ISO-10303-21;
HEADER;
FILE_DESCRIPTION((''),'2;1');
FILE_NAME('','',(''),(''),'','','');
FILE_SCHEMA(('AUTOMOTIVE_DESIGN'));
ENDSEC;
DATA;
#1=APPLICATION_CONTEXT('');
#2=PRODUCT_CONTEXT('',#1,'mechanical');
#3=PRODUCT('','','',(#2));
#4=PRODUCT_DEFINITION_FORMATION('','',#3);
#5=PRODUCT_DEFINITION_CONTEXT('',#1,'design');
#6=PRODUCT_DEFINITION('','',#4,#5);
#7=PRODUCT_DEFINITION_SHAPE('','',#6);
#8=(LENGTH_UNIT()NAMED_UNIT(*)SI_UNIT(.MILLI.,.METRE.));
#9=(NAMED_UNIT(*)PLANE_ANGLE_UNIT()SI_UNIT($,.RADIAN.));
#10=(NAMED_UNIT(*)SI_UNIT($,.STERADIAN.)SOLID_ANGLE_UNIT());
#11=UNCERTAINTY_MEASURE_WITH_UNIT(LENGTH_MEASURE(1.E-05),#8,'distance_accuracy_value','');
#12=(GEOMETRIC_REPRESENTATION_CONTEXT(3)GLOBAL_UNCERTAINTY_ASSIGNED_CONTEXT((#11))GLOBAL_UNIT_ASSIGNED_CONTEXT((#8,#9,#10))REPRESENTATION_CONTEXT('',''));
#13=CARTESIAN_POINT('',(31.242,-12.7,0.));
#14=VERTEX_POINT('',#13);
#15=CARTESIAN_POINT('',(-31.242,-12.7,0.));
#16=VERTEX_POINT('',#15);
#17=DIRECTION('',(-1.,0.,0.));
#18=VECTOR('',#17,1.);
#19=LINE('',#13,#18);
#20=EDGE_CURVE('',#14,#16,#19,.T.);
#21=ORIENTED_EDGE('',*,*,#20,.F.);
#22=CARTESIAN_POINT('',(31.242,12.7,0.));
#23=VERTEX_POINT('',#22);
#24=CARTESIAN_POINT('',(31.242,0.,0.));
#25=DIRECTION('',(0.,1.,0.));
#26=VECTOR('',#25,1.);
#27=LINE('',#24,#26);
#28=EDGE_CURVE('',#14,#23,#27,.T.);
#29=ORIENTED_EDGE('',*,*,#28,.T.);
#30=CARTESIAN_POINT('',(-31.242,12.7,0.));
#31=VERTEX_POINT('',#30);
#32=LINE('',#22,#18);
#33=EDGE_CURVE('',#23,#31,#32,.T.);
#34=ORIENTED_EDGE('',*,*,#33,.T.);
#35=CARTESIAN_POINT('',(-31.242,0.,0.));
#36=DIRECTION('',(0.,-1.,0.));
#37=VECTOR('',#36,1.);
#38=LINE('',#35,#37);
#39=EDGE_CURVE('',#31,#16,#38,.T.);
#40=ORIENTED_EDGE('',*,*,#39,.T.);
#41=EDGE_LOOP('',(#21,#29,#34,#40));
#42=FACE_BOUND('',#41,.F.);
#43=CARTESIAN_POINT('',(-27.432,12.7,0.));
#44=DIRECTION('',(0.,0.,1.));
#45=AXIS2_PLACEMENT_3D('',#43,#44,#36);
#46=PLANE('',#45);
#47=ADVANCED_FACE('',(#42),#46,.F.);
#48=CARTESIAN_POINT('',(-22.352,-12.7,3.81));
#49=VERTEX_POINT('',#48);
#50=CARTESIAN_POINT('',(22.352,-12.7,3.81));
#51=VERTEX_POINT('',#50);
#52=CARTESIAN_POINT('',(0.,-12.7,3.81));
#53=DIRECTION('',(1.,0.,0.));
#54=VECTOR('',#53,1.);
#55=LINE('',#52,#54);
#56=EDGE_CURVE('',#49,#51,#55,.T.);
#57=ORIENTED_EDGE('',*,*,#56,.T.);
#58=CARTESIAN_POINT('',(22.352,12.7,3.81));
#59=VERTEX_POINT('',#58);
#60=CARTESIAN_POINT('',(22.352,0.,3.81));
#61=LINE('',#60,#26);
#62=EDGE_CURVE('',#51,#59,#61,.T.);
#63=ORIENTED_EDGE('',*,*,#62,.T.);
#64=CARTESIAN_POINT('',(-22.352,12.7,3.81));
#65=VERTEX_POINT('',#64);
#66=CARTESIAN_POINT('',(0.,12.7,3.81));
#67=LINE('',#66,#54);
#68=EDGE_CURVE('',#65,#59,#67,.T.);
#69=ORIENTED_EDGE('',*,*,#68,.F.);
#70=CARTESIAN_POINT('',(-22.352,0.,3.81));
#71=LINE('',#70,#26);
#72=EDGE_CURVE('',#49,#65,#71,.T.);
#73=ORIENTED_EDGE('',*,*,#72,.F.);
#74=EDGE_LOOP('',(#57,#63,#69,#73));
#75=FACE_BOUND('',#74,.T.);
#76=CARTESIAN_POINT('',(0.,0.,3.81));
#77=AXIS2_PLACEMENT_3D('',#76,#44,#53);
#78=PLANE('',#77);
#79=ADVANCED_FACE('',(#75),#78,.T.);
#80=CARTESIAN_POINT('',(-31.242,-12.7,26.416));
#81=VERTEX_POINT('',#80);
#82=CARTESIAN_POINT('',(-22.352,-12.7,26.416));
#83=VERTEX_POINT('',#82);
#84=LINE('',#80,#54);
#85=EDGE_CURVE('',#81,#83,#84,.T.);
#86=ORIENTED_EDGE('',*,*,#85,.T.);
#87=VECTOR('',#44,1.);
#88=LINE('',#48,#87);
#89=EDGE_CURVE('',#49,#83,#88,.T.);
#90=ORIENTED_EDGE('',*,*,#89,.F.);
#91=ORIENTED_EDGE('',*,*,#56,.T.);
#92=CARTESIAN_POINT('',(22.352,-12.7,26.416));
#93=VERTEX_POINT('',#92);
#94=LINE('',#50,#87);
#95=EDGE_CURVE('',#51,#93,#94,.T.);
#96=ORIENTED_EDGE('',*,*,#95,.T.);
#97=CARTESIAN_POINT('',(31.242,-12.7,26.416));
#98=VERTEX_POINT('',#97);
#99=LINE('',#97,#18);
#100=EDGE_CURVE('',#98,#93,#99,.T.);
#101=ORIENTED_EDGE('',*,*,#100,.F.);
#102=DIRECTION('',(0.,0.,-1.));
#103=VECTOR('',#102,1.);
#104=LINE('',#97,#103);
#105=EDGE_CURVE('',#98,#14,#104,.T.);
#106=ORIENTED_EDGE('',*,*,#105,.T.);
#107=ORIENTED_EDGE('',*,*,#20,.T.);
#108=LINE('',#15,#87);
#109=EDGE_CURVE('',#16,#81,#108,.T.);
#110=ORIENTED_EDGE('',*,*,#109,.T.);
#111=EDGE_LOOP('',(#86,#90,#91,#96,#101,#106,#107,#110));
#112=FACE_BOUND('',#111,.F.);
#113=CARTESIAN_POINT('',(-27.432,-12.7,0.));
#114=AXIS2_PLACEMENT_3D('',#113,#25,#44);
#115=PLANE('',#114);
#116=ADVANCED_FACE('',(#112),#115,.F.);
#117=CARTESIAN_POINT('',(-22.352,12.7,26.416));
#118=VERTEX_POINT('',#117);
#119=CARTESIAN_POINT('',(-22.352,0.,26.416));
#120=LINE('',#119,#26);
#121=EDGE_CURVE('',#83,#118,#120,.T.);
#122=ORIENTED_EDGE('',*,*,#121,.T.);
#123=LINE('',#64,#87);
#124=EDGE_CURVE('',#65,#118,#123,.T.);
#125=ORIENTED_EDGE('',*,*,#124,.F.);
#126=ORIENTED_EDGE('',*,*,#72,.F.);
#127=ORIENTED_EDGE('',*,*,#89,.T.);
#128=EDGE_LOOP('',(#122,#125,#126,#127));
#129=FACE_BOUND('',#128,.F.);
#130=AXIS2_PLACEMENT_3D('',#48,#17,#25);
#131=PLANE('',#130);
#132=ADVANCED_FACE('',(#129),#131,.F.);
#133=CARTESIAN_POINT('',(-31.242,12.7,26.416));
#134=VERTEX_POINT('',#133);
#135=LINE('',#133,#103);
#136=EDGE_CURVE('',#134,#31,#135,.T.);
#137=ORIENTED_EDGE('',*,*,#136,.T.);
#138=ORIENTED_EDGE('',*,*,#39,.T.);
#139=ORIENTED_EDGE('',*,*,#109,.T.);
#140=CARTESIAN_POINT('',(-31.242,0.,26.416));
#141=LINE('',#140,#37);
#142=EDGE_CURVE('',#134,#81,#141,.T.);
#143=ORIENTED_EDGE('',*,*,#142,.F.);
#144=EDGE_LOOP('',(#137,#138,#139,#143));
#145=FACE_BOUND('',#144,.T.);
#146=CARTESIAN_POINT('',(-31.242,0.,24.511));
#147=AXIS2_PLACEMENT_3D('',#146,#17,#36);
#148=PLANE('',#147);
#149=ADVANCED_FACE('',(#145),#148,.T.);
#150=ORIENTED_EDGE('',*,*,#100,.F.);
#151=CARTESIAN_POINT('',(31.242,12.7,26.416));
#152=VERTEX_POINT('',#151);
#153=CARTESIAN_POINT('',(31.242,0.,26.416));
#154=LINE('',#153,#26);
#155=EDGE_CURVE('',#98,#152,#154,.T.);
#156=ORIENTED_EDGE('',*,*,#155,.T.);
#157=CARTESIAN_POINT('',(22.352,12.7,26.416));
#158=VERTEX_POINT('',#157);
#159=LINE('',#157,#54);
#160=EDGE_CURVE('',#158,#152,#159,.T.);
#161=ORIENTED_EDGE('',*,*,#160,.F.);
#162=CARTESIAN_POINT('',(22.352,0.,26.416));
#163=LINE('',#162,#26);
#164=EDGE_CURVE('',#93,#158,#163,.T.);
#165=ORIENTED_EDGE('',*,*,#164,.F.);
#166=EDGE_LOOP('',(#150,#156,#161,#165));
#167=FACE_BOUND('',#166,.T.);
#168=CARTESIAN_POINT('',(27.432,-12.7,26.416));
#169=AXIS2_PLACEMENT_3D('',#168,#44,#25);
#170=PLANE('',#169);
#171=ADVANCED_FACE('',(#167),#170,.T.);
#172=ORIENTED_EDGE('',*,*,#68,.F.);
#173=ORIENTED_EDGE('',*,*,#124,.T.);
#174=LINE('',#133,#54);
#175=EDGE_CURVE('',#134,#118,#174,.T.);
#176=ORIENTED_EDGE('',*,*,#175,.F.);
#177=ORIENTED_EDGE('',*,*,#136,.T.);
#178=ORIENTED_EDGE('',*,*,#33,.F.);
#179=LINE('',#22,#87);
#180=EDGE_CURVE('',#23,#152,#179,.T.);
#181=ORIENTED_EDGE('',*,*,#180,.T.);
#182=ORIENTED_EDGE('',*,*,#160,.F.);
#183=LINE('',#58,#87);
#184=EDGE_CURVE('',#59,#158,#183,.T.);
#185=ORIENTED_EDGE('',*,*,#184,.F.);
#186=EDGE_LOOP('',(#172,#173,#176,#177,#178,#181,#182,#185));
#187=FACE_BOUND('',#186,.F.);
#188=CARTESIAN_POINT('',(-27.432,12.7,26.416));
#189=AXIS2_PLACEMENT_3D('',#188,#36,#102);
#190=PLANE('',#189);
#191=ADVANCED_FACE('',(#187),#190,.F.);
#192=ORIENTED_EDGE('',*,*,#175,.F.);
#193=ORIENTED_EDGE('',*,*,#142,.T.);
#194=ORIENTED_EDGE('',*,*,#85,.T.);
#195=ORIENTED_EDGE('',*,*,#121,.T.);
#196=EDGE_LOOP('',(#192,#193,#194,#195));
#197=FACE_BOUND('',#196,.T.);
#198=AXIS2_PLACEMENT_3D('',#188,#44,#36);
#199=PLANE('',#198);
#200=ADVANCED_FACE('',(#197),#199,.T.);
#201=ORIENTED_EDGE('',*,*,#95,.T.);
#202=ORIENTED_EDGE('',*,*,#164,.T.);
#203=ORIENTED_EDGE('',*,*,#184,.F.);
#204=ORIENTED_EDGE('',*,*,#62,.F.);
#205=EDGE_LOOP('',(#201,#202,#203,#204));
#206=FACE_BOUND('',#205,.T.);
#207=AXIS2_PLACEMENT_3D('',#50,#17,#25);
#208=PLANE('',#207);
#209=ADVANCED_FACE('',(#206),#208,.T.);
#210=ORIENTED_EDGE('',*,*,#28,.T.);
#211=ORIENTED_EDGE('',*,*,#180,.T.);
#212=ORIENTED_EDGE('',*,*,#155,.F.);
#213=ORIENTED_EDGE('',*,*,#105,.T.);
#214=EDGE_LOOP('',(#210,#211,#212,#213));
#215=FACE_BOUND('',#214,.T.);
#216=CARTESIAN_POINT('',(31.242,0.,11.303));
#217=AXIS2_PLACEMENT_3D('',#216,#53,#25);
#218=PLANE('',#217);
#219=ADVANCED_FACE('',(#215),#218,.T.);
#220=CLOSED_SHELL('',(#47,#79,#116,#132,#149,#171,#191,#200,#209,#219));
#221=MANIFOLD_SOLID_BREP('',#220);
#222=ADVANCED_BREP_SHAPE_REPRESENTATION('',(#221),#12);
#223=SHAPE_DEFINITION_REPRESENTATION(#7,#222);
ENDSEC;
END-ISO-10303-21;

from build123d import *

# Parameters (mm, degrees)
F0_W     = 54.864
F0_H     = 25.4
F1_DEPTH = 3.81
F2_W     = 5.08
F2_H     = 25.4
F3_DEPTH = 22.606
F5_W     = 25.4
F5_H     = 22.606
F5_H_2   = 3.81
F6_DEPTH = 3.81
F4_W     = 25.4
F4_H     = 3.81
F4_H_2   = 22.606
F7_DEPTH = 3.81


with BuildPart() as f1:
    # F0 (on Top) → F1 (new body)
    with BuildSketch(Plane.XY):
        Rectangle(F0_W, F0_H)
    extrude(amount=F1_DEPTH)

    # F2 (on face) → F3 (join)
    with BuildSketch(Plane.XY.offset(3.81)):
        with Locations((-24.892, 0)):
            Rectangle(F2_W, F2_H)
        with Locations((24.892, 0)):
            Rectangle(F2_W, F2_H)
    extrude(amount=F3_DEPTH)

    # F5 (on face) → F6 (join)
    with BuildSketch(Plane.YZ.offset(27.432)):
        with Locations((0, 11.303)):
            Rectangle(F5_W, F5_H)
        with Locations((0, 24.511)):
            Rectangle(F5_W, F5_H_2)
    extrude(amount=F6_DEPTH)

    # F4 (on face) → F7 (join)
    with BuildSketch(Plane(origin=(-27.432, 0, 0), x_dir=(0, -1, 0), z_dir=(-1, 0, 0))):
        with Locations((0, 24.511)):
            Rectangle(F4_W, F4_H)
        with Locations((0, 11.303)):
            Rectangle(F4_W, F4_H_2)
    extrude(amount=F7_DEPTH)


solid = f1.part
